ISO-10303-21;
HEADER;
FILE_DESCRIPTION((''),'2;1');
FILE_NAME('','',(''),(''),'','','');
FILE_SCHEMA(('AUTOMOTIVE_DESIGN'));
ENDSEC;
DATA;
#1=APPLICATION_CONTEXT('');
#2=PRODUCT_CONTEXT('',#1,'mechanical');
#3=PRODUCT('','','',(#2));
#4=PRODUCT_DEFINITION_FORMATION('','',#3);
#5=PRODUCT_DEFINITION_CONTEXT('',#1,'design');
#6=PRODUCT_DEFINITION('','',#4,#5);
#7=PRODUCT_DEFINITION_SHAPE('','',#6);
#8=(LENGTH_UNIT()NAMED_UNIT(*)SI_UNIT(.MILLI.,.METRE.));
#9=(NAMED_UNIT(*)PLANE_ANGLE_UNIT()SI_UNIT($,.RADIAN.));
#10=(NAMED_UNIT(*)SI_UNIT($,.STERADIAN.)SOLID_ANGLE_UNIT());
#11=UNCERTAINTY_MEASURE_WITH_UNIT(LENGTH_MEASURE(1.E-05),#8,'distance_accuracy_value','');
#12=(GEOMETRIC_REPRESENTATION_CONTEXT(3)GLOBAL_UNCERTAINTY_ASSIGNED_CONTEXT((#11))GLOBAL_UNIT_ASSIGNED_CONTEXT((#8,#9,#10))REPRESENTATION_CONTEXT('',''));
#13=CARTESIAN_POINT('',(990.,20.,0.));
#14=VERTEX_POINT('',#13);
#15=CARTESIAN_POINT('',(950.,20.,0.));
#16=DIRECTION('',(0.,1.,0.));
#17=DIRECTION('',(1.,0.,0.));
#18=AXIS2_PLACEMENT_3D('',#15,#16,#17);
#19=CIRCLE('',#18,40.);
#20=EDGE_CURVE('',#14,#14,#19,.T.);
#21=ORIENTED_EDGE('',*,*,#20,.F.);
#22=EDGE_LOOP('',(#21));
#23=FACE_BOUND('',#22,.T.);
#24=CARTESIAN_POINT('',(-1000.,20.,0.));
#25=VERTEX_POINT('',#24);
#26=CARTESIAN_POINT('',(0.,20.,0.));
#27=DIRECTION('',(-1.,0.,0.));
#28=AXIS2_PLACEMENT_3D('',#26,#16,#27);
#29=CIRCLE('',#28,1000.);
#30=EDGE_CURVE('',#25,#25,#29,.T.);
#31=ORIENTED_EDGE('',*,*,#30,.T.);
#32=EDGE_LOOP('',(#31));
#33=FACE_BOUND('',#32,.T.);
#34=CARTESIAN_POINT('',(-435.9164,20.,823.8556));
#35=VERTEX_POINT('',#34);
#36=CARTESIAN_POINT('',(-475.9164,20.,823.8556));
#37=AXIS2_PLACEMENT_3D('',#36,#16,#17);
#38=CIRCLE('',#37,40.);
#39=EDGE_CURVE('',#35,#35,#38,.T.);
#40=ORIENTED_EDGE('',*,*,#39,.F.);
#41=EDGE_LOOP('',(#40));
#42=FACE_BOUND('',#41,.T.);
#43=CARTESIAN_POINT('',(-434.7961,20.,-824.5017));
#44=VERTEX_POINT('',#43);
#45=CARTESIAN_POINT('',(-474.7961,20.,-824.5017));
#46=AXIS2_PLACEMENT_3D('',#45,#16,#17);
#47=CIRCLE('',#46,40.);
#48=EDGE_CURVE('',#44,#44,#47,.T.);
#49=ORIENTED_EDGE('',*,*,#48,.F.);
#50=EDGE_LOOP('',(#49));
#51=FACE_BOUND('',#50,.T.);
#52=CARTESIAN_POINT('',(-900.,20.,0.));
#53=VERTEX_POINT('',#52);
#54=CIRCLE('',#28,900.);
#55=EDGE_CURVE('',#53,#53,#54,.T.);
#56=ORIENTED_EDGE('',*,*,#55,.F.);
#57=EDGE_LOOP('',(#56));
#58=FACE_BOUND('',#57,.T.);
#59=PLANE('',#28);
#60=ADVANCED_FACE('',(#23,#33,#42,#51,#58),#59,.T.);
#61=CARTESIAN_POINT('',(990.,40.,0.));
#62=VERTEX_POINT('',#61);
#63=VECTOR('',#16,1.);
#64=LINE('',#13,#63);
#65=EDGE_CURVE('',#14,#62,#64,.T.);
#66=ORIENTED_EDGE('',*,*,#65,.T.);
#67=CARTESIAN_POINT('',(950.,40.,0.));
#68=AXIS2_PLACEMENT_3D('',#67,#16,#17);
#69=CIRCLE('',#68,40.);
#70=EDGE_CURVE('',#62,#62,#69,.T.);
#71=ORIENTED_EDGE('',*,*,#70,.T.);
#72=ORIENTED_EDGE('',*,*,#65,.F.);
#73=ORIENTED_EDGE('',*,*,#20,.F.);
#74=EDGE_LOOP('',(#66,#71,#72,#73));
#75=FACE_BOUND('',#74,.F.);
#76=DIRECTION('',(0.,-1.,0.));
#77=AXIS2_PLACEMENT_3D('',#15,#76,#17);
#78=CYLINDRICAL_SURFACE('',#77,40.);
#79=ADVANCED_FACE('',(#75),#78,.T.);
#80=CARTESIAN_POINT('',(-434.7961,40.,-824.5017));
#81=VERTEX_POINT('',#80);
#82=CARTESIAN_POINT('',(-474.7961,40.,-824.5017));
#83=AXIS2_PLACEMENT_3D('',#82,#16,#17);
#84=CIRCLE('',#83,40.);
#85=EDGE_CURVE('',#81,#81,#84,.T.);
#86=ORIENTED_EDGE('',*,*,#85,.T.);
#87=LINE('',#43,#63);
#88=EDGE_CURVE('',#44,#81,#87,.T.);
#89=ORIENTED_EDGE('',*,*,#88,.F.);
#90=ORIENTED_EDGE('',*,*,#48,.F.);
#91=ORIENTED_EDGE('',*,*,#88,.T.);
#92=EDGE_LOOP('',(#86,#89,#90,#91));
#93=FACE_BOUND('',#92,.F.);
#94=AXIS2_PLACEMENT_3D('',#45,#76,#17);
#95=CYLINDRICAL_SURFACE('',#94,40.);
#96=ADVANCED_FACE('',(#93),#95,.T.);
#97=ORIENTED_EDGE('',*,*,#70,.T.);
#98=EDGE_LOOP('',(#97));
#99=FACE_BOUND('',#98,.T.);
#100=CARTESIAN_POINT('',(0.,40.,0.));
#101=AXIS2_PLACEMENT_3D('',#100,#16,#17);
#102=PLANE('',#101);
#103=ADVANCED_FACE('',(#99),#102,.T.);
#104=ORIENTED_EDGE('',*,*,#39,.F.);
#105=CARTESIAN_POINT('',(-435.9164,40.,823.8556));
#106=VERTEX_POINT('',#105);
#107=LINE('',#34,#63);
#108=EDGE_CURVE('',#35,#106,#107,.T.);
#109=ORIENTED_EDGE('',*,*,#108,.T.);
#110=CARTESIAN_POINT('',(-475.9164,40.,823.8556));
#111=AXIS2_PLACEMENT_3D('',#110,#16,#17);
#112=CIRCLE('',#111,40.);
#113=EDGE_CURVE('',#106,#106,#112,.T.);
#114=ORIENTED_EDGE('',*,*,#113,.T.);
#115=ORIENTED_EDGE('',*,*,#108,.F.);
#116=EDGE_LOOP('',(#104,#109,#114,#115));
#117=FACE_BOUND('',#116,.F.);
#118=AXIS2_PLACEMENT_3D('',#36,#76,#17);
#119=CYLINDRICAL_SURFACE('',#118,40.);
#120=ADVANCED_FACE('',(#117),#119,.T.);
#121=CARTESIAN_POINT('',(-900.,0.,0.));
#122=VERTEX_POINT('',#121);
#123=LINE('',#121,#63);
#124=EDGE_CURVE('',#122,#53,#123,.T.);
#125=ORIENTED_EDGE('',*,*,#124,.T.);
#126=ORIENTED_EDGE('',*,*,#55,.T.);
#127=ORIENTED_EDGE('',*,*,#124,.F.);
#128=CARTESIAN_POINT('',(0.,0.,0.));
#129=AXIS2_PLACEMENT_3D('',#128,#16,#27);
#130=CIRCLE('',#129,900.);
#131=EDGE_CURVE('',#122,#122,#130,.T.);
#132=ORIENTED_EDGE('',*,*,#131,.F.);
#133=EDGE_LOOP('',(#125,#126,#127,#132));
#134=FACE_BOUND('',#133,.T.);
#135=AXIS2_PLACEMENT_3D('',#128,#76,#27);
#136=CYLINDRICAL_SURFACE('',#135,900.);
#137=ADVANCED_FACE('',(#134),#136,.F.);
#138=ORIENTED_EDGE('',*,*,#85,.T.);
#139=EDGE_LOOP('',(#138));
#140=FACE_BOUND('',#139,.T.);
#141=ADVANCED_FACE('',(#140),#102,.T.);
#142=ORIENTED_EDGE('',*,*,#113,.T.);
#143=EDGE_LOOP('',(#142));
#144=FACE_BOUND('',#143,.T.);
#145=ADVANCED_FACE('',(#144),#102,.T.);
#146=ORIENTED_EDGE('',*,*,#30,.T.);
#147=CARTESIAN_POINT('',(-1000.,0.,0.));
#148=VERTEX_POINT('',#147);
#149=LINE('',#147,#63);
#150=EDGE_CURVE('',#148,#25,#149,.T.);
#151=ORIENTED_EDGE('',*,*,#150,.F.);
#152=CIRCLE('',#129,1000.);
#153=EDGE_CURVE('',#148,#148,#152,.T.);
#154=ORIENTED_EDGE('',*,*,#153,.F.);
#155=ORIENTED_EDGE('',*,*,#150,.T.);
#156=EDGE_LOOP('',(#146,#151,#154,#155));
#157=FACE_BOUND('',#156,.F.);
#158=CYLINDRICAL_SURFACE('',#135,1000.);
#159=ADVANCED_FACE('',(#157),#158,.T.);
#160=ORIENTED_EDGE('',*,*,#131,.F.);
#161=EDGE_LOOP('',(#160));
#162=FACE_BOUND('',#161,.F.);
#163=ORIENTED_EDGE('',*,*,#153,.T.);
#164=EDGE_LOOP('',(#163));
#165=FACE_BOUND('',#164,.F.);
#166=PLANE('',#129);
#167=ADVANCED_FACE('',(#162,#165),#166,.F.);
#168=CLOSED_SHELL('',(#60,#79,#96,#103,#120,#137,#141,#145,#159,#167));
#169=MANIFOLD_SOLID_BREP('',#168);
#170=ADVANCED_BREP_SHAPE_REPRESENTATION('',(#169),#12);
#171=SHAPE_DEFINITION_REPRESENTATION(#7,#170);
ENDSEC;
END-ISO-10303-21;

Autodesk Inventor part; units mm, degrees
ref_plane "YZ Plane" through (0, 0, 0) normal (1, 0, 0) x (0, 1, 0)
ref_plane "XZ Plane" through (0, 0, 0) normal (0, 1, 0) x (-1, 0, 0)
ref_plane "XY Plane" through (0, 0, 0) normal (0, 0, 1) x (1, 0, 0)
sketch "Sketch1" plane through (0, 0, 0) normal (0, 1, 0) x (-1, 0, 0)
  circle A0 centre (0, 0) radius 900
  circle A1 centre (0, 0) radius 1000
  dimension "d0" = 1800
  dimension "d1" = 100
extrude "Extrusion1" add sketch "Sketch1" along normal blind 20
sketch "Sketch2" plane through (0, 20, 0) normal (0, 1, 0) x (1, 0, 0)
  circle A0 centre (950, 0) radius 40
  circle A1 centre (-474.7961, 824.5017) radius 40
  circle A2 centre (-475.9164, -823.8556) radius 40
  line L0 (0, 0) -> (943.1963, 0) construction
  dimension "d7" = 360
  dimension "d11" = 950
  dimension "d13" = 80
  dimension "d14" = 80
extrude "Extrusion2" add sketch "Sketch2" along normal blind 20
sketch "Sketch3" plane through (0, 20, 0) normal (0, 1, 0) x (1, 0, 0)
  point P0 (0, 0)
